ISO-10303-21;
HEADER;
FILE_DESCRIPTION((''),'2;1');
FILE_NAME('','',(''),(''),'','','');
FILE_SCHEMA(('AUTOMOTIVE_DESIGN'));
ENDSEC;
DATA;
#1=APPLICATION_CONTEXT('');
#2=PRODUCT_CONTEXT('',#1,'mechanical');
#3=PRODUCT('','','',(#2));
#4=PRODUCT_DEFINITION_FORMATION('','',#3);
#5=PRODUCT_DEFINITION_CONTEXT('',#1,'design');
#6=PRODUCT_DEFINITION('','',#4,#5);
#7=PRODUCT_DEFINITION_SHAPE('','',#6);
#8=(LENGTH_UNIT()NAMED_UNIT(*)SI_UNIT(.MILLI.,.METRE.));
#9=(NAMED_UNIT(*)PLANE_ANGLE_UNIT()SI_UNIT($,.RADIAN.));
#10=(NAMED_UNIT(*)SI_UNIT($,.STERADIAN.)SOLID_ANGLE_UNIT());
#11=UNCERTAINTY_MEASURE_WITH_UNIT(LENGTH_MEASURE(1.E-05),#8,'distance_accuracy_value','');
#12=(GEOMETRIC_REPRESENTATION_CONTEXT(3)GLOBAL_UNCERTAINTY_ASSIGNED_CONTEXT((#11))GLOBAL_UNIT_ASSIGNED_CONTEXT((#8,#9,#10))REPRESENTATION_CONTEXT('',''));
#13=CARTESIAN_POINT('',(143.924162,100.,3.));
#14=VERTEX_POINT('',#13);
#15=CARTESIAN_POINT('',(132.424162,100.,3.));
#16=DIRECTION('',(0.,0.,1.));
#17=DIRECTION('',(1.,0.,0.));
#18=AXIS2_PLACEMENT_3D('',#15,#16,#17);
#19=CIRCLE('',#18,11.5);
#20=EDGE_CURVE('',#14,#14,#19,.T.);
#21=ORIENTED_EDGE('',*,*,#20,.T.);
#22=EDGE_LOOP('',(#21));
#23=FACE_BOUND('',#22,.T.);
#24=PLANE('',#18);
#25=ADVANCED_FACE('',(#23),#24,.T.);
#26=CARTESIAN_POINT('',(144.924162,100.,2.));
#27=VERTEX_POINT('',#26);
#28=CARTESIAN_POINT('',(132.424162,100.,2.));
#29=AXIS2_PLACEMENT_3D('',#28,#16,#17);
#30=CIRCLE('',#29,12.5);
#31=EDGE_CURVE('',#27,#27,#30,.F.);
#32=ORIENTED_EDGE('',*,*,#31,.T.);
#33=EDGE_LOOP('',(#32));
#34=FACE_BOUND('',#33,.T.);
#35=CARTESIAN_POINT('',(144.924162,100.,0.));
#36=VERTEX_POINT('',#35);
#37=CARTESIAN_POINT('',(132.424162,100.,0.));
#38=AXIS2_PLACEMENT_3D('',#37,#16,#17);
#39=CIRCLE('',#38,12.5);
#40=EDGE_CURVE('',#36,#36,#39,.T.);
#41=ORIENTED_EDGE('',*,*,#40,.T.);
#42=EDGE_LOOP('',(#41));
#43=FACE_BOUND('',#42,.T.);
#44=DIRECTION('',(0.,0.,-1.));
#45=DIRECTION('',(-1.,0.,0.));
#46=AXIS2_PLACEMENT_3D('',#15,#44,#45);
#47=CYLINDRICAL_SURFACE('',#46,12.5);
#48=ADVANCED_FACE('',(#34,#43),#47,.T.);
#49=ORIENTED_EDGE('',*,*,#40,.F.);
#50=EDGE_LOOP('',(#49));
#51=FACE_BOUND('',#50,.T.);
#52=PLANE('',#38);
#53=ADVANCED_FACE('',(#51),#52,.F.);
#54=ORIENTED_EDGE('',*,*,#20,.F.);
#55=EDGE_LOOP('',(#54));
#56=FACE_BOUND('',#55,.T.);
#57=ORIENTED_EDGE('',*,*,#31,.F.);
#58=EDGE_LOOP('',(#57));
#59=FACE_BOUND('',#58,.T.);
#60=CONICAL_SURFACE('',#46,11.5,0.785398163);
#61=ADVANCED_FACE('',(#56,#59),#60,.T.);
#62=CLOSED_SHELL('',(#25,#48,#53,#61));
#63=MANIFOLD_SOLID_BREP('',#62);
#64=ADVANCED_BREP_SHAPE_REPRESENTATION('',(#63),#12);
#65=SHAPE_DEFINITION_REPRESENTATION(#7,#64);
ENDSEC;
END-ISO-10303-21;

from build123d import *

# Parameters (mm, degrees)
ESBO_O1_R                = 12.5
RESSALTO_EXTRUS_O1_DEPTH = 3
CHANFRO1_SIZE            = 1


with BuildPart() as part:
    # Esboço1 → Ressalto-extrusão1 (new body)
    with BuildSketch(Plane.XY):
        with Locations((132.424161544, 100)):
            Circle(ESBO_O1_R)
    extrude(amount=RESSALTO_EXTRUS_O1_DEPTH)

    # Chanfro1
    chanfro1_edges = [part.edges().sort_by_distance(p)[0] for p in [
        (119.924161544, 100, 3),
    ]]
    chamfer(chanfro1_edges, length=CHANFRO1_SIZE)


solid = part.part
